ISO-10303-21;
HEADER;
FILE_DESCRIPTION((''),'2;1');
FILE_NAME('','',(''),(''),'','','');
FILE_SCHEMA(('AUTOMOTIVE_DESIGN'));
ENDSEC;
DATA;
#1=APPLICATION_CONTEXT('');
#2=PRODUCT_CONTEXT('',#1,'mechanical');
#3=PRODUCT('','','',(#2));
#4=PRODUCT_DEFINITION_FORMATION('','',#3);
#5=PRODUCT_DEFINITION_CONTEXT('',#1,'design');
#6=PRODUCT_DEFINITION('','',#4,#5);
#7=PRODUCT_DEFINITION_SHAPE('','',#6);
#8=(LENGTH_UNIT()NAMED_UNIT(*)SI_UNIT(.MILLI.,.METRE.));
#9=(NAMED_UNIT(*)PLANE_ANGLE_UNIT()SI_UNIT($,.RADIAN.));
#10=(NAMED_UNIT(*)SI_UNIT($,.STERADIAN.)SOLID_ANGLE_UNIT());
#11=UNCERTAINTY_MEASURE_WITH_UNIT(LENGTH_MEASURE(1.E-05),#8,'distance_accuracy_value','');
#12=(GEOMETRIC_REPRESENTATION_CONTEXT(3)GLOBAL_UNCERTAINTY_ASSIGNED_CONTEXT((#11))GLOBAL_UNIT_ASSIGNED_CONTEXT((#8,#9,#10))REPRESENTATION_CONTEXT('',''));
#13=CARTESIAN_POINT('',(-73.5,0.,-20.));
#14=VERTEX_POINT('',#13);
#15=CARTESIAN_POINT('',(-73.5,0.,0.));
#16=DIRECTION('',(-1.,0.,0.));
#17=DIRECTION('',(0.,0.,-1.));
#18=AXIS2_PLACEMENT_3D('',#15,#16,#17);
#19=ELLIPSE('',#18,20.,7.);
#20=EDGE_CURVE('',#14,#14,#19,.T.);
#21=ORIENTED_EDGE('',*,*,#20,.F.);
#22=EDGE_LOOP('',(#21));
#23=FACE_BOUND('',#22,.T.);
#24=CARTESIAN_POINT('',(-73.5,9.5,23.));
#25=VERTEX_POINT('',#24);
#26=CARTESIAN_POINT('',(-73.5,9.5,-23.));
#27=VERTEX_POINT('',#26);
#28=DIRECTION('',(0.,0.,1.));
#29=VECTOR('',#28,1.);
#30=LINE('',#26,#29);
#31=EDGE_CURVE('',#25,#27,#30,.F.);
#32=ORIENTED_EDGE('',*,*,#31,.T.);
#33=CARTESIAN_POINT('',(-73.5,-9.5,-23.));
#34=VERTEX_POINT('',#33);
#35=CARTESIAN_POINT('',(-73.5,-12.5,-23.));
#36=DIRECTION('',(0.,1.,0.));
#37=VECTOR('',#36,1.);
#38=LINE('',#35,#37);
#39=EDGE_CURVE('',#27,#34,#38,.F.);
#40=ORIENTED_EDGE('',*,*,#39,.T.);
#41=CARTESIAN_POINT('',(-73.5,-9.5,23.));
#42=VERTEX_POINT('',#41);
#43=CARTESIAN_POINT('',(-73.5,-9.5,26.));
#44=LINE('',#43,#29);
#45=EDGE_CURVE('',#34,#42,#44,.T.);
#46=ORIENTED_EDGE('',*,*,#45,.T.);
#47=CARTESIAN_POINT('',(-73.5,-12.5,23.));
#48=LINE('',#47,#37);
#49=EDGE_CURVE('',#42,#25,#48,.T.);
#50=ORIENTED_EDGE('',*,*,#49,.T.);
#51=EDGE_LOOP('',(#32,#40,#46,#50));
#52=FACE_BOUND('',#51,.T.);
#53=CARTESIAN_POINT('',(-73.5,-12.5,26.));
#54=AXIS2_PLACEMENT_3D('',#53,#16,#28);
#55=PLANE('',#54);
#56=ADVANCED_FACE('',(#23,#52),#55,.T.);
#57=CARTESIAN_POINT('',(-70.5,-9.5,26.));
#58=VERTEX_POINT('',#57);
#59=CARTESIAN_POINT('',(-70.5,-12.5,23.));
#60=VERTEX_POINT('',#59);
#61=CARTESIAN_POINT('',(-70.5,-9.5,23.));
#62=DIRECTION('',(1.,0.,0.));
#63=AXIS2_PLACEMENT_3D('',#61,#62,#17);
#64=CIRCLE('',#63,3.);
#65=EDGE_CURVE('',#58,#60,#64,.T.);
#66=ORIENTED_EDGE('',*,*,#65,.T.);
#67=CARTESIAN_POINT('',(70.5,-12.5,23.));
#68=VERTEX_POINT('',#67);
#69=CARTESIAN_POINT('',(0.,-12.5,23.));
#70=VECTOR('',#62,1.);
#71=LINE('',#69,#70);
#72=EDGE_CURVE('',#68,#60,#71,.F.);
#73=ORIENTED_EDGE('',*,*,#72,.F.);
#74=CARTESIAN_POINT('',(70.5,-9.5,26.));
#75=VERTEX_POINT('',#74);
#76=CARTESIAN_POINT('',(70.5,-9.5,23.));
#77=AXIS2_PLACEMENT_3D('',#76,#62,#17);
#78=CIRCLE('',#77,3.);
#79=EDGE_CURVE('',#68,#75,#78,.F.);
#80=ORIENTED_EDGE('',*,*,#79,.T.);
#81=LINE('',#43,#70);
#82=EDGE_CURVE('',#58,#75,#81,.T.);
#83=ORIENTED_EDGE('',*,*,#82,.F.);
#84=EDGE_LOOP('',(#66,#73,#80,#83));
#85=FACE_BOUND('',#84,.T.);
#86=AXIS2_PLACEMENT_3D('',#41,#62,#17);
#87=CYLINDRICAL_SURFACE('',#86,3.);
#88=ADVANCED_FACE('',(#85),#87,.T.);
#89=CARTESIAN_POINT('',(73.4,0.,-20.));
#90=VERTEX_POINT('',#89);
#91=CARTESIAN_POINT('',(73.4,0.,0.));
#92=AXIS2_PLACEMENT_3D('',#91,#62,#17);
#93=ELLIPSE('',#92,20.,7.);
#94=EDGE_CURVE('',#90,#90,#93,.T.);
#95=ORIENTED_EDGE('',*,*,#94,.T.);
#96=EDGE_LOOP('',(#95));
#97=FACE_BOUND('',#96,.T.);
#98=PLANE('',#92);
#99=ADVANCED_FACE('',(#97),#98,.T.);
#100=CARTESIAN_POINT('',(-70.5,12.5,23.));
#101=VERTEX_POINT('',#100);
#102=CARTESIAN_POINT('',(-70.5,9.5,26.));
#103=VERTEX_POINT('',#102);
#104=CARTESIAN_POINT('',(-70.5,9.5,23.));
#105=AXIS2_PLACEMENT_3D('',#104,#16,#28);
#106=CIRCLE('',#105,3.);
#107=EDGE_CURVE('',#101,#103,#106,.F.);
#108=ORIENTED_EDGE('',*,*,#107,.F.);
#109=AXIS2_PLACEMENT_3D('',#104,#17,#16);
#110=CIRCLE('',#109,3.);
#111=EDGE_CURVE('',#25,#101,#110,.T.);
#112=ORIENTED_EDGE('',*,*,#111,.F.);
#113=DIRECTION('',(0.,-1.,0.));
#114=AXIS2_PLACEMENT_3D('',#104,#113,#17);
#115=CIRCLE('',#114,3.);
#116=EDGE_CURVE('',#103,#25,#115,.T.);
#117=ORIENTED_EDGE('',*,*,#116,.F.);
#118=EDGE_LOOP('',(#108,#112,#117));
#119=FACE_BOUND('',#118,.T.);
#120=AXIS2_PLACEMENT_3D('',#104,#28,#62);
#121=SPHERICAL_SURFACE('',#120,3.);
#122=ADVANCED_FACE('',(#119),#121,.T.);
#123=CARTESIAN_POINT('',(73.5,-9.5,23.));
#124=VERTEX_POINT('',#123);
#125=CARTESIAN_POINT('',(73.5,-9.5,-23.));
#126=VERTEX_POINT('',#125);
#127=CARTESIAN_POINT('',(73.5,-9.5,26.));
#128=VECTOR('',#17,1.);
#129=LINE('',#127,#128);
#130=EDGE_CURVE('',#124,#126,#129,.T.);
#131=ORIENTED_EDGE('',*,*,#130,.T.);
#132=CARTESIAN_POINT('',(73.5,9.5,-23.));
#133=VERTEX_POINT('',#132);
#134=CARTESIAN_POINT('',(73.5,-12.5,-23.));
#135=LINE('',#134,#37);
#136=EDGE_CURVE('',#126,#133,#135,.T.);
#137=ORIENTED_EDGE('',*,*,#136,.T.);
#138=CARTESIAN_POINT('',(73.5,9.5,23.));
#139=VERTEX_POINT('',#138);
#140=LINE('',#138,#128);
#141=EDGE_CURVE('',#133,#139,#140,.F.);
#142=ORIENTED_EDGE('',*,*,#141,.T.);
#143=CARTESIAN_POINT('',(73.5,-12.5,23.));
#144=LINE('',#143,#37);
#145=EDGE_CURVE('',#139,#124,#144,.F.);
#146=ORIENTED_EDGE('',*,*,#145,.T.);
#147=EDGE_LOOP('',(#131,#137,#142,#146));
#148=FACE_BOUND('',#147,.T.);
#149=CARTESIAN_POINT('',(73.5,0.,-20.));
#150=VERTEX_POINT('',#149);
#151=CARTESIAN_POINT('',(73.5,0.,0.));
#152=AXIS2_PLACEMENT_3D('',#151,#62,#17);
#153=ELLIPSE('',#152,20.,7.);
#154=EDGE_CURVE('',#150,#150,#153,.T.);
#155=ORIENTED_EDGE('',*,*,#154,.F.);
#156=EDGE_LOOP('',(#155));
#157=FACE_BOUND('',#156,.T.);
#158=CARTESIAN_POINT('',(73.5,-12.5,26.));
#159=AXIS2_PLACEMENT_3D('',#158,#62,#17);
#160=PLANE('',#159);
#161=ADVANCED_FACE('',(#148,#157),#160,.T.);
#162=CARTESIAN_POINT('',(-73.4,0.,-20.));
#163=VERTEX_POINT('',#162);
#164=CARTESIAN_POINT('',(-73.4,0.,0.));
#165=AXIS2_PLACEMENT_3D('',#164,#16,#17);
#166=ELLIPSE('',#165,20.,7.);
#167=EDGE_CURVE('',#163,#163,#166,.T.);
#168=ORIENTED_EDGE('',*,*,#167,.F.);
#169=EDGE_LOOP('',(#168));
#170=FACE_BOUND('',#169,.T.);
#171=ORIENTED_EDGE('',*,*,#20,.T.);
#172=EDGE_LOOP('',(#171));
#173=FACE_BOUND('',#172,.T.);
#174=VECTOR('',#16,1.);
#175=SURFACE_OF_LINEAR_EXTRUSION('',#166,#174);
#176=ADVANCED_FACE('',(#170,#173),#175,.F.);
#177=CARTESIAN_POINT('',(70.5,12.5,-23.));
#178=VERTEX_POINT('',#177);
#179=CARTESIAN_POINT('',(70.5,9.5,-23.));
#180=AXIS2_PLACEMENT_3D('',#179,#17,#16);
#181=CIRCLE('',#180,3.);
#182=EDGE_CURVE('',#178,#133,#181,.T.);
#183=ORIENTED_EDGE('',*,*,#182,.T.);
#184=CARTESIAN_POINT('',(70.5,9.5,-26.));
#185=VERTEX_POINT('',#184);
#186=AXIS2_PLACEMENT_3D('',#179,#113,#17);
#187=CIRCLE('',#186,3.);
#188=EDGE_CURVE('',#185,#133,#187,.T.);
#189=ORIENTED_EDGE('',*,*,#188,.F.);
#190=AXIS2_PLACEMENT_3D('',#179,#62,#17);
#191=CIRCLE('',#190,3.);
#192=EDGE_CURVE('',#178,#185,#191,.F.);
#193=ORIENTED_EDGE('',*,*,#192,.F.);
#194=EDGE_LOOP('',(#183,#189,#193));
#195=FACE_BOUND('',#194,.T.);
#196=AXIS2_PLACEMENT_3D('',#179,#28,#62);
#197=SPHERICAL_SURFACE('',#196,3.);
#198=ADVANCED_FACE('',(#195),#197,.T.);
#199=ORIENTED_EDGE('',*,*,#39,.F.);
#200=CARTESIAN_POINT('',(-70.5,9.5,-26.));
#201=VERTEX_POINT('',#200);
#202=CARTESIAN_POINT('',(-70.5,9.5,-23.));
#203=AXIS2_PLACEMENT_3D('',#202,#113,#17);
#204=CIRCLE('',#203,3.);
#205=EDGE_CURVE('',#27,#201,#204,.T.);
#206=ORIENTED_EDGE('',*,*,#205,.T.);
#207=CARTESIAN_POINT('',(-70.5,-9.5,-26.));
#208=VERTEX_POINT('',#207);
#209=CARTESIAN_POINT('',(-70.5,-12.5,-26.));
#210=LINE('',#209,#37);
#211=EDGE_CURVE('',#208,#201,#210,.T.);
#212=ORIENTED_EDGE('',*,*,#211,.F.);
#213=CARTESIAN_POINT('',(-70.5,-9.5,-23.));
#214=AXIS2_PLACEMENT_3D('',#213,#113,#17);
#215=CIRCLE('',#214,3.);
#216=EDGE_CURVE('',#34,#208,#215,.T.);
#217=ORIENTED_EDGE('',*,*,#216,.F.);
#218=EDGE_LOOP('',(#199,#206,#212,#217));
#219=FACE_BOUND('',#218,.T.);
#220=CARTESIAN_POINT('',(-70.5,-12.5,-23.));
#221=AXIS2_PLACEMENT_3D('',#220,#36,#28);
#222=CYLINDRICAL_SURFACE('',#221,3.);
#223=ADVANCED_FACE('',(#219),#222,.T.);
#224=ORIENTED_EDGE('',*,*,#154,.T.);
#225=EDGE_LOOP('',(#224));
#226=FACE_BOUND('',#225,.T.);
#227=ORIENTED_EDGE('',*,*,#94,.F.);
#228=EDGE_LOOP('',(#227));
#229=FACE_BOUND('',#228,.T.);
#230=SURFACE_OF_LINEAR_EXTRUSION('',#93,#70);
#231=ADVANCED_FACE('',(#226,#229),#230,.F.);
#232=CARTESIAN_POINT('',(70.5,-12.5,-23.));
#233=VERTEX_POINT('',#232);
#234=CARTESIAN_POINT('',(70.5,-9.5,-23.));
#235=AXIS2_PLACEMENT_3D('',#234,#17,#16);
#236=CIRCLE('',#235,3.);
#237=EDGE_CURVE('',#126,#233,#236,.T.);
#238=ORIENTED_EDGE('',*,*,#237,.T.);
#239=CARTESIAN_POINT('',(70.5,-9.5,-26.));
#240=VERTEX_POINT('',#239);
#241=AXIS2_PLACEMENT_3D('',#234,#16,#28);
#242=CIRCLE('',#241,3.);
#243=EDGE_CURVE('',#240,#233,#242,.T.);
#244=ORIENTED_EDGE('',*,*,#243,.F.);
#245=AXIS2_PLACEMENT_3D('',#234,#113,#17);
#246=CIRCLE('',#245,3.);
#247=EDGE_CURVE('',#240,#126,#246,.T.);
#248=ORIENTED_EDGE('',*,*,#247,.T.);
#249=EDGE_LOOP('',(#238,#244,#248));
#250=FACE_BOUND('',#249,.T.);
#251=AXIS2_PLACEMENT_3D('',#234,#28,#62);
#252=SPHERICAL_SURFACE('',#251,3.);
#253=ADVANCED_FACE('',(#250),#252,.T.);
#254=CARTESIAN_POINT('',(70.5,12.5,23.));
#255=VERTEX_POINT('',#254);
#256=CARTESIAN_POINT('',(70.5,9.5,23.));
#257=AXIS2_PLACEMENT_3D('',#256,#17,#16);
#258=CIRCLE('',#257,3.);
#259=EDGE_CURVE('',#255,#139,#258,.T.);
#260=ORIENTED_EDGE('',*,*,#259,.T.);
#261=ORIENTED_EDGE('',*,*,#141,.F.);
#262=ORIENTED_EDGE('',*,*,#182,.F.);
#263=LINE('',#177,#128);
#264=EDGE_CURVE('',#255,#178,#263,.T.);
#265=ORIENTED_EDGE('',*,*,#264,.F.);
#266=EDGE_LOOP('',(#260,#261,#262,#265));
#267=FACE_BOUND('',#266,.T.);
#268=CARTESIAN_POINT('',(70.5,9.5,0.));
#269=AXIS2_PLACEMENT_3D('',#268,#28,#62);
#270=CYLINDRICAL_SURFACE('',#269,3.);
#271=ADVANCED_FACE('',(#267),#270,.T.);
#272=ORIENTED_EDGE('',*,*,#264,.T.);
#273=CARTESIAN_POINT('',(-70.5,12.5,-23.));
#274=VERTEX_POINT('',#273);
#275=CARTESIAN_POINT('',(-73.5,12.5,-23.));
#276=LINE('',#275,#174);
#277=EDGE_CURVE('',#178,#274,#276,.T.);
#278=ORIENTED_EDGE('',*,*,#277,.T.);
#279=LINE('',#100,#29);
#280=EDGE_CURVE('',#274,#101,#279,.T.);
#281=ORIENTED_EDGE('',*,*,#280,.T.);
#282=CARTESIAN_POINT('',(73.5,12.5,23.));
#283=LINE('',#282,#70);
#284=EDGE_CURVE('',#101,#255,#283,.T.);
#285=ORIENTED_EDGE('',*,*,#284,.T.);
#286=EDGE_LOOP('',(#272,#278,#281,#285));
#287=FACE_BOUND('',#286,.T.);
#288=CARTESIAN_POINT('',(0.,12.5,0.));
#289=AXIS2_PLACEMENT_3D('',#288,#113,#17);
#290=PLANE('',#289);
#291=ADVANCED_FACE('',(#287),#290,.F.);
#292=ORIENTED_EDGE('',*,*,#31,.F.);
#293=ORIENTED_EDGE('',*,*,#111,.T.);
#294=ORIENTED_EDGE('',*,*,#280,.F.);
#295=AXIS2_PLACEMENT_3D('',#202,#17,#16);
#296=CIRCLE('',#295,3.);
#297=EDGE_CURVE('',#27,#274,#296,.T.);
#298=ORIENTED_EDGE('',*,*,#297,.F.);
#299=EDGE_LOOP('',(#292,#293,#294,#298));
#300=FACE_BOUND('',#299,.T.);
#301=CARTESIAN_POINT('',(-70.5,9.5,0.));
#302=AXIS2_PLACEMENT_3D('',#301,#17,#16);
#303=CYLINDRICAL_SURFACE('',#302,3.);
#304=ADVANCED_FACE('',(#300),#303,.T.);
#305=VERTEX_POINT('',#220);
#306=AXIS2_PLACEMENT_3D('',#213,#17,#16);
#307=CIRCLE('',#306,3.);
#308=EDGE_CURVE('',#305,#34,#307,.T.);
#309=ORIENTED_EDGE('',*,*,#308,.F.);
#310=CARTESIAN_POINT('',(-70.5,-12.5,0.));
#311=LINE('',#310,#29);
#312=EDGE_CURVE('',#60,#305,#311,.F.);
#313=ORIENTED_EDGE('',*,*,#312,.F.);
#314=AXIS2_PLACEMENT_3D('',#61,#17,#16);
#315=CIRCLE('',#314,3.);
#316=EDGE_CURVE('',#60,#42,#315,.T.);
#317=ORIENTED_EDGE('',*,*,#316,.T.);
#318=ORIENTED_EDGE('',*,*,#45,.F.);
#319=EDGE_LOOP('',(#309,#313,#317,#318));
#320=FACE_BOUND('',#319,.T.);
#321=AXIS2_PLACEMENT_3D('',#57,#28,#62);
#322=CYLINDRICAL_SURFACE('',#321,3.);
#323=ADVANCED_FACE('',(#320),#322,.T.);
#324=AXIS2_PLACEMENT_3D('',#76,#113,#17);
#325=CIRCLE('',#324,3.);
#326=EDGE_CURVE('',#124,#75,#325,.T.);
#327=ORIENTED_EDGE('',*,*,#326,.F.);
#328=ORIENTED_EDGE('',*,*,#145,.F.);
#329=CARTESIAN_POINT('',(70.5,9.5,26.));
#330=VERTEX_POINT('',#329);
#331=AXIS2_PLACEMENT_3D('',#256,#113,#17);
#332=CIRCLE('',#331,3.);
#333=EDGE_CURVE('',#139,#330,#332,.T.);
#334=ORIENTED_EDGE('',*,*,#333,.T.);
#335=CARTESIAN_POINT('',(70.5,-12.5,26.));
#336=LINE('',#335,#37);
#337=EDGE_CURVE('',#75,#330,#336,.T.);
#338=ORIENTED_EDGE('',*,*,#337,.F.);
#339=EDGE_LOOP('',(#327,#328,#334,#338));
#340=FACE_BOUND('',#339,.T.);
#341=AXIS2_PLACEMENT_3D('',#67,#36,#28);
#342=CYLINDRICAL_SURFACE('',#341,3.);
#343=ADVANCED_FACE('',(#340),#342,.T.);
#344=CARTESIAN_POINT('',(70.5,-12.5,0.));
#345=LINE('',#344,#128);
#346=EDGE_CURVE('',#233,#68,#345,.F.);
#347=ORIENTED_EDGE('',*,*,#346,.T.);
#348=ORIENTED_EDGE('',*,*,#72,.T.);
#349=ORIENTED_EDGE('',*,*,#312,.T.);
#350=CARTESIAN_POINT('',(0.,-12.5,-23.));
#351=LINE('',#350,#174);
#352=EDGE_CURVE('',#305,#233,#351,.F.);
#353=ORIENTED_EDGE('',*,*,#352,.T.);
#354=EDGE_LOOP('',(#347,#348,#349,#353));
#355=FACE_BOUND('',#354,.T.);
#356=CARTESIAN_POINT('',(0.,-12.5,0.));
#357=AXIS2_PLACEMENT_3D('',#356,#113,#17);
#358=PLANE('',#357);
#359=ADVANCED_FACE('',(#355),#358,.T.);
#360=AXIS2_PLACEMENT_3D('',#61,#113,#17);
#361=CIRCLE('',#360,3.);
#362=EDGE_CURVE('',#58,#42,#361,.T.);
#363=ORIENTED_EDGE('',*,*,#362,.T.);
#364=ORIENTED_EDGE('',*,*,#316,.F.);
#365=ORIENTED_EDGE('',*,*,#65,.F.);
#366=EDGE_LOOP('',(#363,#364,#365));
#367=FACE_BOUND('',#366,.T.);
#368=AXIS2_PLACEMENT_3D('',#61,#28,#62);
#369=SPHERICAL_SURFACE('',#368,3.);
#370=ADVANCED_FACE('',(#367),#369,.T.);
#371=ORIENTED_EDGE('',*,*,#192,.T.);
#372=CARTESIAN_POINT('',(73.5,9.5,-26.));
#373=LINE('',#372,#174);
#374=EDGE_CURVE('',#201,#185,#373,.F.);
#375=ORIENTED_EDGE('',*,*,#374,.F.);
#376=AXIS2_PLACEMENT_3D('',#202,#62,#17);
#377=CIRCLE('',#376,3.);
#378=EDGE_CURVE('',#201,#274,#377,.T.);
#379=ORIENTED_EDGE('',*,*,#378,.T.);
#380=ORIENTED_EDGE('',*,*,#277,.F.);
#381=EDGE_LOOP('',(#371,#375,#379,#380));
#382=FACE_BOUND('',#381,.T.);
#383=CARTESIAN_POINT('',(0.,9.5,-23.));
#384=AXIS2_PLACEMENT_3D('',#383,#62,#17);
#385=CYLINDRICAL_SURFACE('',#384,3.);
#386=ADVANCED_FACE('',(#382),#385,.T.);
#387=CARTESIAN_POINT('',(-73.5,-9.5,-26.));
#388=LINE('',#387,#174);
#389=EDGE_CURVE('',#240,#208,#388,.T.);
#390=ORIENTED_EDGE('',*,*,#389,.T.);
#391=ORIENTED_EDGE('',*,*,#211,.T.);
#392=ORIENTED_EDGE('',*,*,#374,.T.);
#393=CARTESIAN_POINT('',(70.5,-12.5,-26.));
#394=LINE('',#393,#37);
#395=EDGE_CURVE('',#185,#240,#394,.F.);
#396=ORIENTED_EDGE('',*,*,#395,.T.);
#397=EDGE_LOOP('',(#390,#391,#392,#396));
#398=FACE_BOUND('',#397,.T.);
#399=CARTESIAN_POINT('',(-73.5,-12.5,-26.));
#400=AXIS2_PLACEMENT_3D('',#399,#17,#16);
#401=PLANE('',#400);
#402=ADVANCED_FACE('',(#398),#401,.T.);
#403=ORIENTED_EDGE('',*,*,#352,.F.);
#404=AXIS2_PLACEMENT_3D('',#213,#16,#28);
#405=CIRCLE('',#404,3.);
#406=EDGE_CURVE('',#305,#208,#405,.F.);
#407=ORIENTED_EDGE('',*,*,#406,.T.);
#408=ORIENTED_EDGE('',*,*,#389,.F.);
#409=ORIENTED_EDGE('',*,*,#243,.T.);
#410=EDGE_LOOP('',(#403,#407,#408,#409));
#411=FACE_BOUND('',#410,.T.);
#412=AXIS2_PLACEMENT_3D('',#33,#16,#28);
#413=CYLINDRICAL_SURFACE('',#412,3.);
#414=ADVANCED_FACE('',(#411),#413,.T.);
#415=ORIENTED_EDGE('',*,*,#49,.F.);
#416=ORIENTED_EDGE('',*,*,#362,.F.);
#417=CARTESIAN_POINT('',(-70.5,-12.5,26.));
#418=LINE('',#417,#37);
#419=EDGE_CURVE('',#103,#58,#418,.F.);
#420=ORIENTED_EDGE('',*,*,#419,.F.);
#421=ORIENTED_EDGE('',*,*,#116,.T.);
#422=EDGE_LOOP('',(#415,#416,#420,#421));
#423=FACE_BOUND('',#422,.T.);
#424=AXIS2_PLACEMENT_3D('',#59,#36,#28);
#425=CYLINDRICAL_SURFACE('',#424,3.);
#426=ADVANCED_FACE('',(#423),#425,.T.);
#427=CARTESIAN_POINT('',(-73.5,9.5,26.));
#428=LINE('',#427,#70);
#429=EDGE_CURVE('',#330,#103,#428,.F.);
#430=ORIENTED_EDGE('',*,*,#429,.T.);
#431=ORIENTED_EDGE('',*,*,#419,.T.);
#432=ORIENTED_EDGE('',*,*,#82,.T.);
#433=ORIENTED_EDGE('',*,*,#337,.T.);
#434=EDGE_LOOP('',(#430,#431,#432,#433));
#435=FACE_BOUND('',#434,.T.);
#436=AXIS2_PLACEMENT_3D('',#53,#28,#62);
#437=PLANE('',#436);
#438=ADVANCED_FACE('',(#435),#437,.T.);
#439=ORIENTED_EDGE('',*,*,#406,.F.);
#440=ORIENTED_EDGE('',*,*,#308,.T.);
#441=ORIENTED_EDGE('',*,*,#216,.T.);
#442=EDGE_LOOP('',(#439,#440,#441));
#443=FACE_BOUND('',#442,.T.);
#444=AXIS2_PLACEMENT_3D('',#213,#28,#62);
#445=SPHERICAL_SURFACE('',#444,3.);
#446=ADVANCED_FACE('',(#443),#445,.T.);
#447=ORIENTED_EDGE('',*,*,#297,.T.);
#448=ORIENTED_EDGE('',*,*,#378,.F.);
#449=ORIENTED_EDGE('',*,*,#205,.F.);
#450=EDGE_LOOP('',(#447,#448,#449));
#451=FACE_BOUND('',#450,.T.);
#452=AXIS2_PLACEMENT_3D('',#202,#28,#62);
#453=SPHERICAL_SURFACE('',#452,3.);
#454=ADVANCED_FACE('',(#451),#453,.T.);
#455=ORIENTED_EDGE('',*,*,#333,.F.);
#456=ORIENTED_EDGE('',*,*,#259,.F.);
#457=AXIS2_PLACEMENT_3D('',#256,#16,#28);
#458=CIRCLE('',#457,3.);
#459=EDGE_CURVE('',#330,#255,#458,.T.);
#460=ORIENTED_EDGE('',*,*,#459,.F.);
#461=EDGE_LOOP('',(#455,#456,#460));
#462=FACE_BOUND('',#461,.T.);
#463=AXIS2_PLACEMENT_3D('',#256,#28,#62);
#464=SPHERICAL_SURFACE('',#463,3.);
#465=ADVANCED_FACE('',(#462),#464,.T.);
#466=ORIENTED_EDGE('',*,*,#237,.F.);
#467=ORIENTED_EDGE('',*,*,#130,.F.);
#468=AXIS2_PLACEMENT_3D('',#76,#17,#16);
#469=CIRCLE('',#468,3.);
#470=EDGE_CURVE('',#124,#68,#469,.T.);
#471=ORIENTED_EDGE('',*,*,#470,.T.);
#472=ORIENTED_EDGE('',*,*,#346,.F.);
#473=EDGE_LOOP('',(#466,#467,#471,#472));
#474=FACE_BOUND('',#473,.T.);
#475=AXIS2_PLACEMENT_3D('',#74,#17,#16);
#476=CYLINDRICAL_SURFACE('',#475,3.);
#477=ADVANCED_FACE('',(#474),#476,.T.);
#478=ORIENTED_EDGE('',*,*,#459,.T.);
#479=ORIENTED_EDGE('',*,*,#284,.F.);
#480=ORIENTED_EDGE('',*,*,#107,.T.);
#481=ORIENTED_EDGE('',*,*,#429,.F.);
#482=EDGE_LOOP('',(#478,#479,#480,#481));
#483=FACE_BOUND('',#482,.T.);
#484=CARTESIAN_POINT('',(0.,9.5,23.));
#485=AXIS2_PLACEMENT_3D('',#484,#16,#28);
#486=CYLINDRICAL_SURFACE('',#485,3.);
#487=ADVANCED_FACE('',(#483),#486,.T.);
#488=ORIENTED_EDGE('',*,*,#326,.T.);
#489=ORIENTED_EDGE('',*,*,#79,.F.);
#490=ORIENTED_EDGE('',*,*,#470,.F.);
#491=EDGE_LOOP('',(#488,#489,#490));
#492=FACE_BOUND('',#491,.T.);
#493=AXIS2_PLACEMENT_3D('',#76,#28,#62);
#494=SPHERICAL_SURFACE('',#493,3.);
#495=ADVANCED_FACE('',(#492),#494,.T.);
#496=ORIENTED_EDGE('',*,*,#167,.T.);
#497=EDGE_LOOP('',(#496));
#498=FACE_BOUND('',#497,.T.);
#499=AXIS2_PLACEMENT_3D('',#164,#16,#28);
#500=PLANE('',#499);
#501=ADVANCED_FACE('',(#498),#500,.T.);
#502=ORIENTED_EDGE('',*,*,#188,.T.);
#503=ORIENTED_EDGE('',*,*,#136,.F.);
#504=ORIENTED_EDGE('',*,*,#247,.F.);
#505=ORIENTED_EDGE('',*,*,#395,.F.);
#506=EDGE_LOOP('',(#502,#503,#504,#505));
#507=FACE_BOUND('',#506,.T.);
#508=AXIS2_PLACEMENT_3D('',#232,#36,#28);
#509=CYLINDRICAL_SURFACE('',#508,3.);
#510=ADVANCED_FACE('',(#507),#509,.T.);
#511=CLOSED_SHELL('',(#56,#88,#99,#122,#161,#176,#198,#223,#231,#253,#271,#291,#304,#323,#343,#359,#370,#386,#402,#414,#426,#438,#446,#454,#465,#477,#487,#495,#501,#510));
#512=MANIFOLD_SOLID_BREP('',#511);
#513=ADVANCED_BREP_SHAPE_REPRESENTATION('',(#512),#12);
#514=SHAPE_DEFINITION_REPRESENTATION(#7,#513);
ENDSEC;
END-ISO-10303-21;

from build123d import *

# Parameters (mm, degrees)
RESSALTO_EXTRUS_O1_DEPTH      = 12.5
RESSALTO_EXTRUS_O1_DEPTH_BACK = 12.5
ESBO_O1_W                     = 147
ESBO_O1_H                     = 52
FILETE1_R                     = 3
FILETE2_R                     = 3
ESBO_O2_RX                    = 20
ESBO_O2_RY                    = 7
CORTE_EXTRUS_O1_DEPTH         = 0.1
ESBO_O3_RX                    = 20
ESBO_O3_RY                    = 7
CORTE_EXTRUS_O2_DEPTH         = 0.1


with BuildPart() as part:
    # Esboço1 → Ressalto-extrusão1 (new, two sides: drawn at the far end of the back side and taken through both)
    with BuildSketch(Plane(origin=(0, 0, 0), x_dir=(1, 0, 0), z_dir=(0, 1, 0)).offset(-RESSALTO_EXTRUS_O1_DEPTH_BACK)):
        Rectangle(ESBO_O1_W, ESBO_O1_H)
    extrude(amount=RESSALTO_EXTRUS_O1_DEPTH + RESSALTO_EXTRUS_O1_DEPTH_BACK)

    # Filete1
    filete1_edges = [part.edges().sort_by_distance(p)[0] for p in [
        (0, 12.5, -26),
        (0, -12.5, 26),
        (0, 12.5, 26),
        (0, -12.5, -26),
    ]]
    fillet(filete1_edges, radius=FILETE1_R)

    # Filete2
    filete2_edges = [part.edges().sort_by_distance(p)[0] for p in [
        (73.5, 0, 26),
        (-73.5, 0, 26),
        (73.5, 0, -26),
        (73.5, 12.5, 0),
        (73.5, -12.5, 0),
        (73.5, 11.621320344, 25.121320344),
        (73.5, 11.621320344, -25.121320344),
        (73.5, -11.621320344, -25.121320344),
        (73.5, -11.621320344, 25.121320344),
        (-73.5, -12.5, 0),
        (-73.5, 12.5, 0),
        (-73.5, 0, -26),
        (-73.5, 11.621320344, 25.121320344),
        (-73.5, 11.621320344, -25.121320344),
        (-73.5, -11.621320344, -25.121320344),
        (-73.5, -11.621320344, 25.121320344),
    ]]
    fillet(filete2_edges, radius=FILETE2_R)

    # Esboço2 → Corte-extrusão1 (cut)
    with BuildSketch(Plane(origin=(73.5, 0, 0), x_dir=(0, 0, -1), z_dir=(1, 0, 0))):
        with Locations((0, 0)):
            Ellipse(ESBO_O2_RX, ESBO_O2_RY)
    extrude(amount=-CORTE_EXTRUS_O1_DEPTH, mode=Mode.SUBTRACT)

    # Esboço3 → Corte-extrusão2 (cut)
    with BuildSketch(Plane.ZY.offset(73.5)):
        with Locations(Location((0, 0), (0, 0, 180))):
            Ellipse(ESBO_O3_RX, ESBO_O3_RY)
    extrude(amount=-CORTE_EXTRUS_O2_DEPTH, mode=Mode.SUBTRACT)


solid = part.part
